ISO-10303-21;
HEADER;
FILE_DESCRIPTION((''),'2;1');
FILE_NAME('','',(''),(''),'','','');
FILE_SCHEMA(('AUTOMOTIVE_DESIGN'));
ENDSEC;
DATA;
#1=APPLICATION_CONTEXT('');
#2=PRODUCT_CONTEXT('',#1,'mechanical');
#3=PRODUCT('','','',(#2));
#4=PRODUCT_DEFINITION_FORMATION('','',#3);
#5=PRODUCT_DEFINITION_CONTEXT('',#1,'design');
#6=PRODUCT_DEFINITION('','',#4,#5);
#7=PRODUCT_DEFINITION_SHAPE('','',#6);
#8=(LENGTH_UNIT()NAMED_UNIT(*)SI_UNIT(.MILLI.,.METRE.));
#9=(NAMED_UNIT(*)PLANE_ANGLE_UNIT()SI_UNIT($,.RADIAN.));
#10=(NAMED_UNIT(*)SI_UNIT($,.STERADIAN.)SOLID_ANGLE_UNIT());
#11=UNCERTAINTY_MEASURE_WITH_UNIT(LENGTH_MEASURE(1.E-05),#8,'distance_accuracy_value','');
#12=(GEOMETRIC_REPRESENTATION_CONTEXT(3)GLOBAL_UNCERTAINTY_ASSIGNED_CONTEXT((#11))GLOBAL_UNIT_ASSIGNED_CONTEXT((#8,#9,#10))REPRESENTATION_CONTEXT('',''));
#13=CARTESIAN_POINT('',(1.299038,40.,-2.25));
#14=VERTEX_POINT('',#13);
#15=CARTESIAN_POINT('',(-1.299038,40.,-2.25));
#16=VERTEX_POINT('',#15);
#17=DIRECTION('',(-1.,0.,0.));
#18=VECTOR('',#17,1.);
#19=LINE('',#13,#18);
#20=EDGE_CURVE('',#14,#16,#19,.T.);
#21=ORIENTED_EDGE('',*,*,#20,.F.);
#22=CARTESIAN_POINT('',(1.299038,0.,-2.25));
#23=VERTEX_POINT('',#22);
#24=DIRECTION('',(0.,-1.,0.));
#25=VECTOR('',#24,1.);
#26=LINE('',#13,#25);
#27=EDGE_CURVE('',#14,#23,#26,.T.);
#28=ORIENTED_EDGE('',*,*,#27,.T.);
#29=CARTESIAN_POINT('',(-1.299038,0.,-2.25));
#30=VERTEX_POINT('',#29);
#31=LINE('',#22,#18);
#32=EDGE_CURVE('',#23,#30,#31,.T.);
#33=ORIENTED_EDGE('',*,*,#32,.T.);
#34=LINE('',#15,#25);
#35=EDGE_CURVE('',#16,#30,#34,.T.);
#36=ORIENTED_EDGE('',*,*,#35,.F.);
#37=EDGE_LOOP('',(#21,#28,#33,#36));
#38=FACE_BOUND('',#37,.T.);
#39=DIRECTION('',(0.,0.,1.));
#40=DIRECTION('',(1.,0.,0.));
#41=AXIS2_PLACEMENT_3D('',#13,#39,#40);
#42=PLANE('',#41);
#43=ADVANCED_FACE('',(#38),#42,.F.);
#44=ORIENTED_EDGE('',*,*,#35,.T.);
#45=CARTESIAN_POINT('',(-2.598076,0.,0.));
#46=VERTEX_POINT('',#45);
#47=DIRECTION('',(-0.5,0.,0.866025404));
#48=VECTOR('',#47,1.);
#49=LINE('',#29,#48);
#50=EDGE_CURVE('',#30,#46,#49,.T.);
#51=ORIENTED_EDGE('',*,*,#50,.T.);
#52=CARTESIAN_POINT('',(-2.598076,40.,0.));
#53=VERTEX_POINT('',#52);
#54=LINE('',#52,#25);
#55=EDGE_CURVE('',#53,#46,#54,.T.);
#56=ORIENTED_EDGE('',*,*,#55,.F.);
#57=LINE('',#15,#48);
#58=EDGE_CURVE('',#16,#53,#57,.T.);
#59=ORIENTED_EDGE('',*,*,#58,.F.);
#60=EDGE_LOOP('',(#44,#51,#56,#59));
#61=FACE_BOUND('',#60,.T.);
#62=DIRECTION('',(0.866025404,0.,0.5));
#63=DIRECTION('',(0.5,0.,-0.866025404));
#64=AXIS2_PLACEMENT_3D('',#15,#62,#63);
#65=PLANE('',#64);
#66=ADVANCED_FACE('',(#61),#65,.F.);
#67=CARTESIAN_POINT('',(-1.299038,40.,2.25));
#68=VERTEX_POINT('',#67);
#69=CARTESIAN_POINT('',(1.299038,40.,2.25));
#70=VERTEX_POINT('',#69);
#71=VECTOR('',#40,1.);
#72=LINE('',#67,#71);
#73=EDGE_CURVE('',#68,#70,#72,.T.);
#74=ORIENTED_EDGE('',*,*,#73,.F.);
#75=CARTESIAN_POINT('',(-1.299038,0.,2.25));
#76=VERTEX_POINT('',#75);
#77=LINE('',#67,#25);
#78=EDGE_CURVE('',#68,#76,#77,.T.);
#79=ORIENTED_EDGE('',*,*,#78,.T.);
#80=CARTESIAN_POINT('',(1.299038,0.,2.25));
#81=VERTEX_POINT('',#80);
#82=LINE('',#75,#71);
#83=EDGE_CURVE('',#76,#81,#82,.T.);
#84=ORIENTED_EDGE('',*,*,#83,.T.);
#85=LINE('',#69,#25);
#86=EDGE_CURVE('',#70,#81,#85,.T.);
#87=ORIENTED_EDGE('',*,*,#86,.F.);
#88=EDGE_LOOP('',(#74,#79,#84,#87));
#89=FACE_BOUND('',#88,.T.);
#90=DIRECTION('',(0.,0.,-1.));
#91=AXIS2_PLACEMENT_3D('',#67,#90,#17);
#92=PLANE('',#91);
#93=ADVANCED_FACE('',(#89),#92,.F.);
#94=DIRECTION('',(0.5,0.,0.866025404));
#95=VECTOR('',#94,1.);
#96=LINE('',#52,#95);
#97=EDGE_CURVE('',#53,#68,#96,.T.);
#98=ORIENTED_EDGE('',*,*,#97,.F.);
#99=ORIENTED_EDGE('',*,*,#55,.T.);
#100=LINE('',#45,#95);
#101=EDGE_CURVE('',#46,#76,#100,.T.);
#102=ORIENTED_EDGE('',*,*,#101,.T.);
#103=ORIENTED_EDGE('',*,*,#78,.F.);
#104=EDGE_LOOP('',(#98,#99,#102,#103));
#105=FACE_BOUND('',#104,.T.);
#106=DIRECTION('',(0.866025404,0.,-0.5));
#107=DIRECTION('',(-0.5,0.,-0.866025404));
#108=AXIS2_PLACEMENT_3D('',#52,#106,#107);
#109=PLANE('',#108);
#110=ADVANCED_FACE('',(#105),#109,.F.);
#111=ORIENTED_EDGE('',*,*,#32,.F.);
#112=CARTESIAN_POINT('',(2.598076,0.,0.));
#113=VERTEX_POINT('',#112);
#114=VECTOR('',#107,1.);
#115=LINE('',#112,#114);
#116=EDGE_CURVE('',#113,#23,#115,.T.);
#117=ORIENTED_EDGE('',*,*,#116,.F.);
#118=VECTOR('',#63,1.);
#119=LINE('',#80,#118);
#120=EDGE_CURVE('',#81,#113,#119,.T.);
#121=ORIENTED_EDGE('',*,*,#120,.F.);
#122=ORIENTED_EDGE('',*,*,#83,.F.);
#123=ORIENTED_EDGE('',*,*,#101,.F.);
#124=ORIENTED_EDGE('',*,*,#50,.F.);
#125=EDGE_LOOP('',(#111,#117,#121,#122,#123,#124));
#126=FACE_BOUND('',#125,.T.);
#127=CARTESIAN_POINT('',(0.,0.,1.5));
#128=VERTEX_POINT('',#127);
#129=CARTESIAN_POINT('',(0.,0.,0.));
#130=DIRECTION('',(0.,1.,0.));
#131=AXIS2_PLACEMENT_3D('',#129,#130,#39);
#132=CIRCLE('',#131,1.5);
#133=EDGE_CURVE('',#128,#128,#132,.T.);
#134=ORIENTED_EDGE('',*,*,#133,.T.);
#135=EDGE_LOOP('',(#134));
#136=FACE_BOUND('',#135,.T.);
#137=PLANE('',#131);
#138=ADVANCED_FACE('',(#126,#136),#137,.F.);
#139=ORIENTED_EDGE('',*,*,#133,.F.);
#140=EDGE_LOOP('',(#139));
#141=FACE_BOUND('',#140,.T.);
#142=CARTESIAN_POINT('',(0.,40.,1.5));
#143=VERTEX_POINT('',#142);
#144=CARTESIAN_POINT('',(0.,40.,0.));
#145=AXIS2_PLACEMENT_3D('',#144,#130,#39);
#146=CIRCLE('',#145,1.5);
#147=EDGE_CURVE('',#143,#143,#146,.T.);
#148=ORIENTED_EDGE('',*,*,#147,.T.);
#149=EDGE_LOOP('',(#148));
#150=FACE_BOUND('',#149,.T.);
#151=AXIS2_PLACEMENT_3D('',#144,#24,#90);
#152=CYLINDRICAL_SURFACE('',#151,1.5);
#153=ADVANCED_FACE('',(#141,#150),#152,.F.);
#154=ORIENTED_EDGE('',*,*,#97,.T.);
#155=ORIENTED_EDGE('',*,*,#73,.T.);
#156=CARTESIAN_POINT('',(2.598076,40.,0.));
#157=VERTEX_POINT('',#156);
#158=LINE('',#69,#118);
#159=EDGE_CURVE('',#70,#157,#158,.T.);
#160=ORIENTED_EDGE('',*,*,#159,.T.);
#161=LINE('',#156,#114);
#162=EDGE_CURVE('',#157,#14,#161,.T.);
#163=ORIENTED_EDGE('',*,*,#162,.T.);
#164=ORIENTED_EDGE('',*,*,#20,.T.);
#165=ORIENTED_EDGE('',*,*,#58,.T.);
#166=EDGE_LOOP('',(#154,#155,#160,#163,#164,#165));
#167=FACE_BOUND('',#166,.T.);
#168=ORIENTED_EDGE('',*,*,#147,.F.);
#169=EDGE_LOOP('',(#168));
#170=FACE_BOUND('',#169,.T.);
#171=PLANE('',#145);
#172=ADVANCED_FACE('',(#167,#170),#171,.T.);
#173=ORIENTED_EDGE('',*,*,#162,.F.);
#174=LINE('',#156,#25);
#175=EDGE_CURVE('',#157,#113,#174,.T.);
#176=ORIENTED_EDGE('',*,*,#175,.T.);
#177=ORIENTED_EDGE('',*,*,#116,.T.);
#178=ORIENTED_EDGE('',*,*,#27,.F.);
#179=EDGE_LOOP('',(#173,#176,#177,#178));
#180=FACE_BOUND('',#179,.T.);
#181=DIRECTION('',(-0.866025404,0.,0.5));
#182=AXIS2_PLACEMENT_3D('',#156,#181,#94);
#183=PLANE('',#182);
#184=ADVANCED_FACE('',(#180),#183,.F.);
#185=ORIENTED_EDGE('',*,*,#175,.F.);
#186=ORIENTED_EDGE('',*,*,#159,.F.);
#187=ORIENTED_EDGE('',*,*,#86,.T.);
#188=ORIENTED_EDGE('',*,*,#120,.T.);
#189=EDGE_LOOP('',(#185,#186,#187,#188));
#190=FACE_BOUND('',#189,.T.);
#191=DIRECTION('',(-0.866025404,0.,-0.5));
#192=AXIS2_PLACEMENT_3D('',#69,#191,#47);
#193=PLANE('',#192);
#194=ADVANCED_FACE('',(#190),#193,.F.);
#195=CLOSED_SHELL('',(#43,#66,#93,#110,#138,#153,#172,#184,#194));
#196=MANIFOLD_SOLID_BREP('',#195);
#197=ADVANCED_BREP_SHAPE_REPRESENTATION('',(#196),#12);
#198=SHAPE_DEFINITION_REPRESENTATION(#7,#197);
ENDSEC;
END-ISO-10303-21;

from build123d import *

# Parameters (mm, degrees)
SKETCH_1_R      = 1.5
EXTRUDE_1_DEPTH = 40


with BuildPart() as part:
    # 草图1 → 凸台-拉伸1 (new body)
    with BuildSketch(Plane(origin=(0, 0, 0), x_dir=(1, 0, 0), z_dir=(0, 1, 0))):
        Polygon((2.598076211, 0), (1.299038106, 2.25), (-1.299038106, 2.25), (-2.598076211, 0), (-1.299038106, -2.25), (1.299038106, -2.25), align=None)
        with Locations(Location((0, 0, 0), (0, 0, 270))):
            Circle(SKETCH_1_R, mode=Mode.SUBTRACT)
    extrude(amount=EXTRUDE_1_DEPTH)


solid = part.part
